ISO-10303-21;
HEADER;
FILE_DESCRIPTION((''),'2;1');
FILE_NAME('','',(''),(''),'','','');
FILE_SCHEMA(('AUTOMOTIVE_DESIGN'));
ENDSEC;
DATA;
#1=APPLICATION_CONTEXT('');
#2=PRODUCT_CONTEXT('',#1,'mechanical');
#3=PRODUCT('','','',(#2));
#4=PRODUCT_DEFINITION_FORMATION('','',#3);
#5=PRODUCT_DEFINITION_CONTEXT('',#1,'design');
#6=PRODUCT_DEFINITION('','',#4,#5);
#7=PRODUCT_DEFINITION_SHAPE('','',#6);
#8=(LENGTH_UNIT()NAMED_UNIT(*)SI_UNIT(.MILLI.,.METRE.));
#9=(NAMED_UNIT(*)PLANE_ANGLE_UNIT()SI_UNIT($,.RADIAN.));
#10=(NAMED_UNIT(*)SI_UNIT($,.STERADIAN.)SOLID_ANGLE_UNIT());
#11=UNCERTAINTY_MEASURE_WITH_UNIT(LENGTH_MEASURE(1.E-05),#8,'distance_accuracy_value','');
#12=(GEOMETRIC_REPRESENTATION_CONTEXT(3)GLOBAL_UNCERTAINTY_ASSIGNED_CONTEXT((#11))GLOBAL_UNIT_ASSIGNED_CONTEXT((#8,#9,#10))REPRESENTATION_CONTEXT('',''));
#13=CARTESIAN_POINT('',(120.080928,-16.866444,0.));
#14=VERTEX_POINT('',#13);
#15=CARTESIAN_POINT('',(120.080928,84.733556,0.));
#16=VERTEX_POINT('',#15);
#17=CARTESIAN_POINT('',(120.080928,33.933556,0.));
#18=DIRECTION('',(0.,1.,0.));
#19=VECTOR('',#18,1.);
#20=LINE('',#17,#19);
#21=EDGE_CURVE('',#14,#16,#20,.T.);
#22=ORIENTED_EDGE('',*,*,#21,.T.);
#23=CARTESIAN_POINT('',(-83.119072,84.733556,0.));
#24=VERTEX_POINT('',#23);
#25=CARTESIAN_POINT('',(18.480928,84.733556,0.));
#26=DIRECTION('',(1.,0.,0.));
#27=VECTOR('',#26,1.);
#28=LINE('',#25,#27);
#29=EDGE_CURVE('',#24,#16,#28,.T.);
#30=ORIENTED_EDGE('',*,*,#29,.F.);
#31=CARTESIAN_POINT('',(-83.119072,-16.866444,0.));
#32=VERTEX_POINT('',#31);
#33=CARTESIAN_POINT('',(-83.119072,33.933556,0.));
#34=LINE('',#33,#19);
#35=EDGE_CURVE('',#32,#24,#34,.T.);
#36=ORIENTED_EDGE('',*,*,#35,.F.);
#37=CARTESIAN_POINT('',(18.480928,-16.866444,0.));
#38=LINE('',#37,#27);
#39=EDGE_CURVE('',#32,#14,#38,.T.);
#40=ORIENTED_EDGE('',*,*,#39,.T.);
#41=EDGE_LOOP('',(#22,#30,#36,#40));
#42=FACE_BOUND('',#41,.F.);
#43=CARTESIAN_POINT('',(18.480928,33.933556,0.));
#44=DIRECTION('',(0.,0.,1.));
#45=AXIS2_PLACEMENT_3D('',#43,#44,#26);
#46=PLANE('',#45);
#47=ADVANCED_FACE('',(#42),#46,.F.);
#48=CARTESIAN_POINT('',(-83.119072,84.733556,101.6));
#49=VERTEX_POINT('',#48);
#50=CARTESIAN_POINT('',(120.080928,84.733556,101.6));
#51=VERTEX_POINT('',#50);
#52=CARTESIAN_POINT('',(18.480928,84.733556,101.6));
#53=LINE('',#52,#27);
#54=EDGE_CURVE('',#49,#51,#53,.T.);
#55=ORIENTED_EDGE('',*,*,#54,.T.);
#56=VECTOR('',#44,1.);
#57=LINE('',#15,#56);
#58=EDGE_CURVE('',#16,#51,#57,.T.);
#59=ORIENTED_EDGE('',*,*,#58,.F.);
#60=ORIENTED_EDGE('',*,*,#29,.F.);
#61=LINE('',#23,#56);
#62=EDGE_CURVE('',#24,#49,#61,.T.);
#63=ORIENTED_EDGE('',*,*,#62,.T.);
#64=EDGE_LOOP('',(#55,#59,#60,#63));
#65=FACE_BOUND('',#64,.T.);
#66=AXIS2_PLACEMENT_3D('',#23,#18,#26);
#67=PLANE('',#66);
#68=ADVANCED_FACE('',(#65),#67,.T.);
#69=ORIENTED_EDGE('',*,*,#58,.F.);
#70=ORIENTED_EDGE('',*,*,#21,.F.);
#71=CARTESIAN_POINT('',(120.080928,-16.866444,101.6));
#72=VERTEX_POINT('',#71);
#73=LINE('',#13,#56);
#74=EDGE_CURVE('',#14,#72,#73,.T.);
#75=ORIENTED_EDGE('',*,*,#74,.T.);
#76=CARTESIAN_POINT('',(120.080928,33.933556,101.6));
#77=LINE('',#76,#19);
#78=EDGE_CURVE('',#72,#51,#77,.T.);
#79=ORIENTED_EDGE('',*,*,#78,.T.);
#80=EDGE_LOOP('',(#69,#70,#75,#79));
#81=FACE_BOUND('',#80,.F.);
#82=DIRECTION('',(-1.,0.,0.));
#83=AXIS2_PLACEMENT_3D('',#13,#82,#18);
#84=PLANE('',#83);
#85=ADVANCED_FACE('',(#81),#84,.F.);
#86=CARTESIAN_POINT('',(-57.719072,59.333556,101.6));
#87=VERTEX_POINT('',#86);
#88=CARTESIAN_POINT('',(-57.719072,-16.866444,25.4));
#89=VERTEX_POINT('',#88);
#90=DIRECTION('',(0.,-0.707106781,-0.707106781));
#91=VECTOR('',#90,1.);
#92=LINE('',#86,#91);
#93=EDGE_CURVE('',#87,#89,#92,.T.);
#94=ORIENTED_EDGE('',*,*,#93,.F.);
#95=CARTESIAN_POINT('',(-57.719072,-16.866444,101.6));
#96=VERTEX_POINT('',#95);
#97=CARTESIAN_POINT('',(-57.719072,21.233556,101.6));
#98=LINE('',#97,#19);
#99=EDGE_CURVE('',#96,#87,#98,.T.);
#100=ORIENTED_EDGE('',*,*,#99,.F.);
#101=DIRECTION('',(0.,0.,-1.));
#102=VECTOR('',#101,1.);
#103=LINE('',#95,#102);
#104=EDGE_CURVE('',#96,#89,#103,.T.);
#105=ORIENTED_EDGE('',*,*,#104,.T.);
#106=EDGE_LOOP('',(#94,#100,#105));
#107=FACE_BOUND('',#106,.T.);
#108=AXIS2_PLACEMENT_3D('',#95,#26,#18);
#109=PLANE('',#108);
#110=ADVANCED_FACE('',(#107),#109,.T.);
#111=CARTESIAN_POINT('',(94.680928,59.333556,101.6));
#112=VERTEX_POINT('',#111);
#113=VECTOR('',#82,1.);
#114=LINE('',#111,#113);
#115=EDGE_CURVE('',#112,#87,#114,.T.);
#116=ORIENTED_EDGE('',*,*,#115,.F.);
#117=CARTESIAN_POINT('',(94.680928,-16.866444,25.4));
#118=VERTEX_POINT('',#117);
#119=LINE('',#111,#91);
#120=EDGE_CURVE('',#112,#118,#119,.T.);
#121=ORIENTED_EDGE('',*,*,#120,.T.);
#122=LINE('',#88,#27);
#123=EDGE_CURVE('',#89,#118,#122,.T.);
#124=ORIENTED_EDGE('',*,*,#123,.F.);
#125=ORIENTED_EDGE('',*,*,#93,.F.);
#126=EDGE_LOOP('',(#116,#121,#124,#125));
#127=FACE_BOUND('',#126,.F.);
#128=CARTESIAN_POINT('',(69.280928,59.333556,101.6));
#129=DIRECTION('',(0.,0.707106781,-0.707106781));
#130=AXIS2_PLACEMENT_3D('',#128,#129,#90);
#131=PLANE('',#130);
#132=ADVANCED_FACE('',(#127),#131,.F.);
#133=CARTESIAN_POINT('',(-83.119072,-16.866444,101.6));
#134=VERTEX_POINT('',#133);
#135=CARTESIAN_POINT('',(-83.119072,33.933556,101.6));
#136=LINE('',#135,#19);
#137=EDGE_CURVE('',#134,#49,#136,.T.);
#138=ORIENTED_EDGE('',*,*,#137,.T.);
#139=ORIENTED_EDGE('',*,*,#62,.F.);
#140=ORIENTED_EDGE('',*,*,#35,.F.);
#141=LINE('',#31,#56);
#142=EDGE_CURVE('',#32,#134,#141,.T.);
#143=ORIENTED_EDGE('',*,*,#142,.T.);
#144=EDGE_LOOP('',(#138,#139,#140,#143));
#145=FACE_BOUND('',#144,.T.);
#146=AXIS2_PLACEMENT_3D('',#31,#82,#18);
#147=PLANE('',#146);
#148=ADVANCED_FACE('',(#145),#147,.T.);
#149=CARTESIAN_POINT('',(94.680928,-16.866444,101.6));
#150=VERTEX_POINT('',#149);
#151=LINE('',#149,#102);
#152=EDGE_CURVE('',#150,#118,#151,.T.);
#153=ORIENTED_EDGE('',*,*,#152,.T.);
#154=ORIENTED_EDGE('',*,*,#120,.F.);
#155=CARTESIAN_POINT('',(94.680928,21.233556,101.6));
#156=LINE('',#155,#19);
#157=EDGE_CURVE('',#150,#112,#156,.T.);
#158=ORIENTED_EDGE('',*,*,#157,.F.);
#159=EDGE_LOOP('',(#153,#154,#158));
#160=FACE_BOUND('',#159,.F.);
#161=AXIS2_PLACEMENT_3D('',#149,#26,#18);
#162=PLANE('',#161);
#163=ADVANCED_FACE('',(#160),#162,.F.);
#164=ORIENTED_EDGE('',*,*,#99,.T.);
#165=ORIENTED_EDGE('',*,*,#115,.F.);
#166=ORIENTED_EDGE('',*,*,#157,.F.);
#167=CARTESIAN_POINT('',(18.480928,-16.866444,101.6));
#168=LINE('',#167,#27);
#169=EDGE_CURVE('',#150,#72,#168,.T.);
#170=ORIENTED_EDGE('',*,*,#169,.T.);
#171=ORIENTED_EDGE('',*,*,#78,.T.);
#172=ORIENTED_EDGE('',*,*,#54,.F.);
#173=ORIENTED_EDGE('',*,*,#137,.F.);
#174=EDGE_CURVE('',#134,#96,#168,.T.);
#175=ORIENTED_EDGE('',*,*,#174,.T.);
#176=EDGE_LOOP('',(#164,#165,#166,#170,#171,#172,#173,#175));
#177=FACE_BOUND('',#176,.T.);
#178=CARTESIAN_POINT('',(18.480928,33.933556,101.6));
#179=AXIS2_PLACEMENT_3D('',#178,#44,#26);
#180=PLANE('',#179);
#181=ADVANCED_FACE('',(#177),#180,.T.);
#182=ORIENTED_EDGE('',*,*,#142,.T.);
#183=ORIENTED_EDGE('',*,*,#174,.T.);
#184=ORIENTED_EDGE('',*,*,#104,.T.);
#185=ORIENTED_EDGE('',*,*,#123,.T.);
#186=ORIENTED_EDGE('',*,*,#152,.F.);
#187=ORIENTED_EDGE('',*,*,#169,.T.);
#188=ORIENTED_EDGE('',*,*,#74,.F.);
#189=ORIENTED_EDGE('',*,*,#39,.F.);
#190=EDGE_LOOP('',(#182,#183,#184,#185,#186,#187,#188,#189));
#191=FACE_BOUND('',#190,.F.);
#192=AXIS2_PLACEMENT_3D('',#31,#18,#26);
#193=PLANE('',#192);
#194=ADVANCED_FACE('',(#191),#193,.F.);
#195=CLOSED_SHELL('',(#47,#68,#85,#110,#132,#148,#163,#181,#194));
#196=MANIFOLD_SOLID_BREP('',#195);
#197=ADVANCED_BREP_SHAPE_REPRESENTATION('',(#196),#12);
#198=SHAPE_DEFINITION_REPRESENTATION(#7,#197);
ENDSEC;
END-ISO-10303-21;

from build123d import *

# Parameters (mm, degrees)
F0_W     = 203.2
F0_H     = 101.6
F1_DEPTH = 101.6
F2_W     = 152.4
F2_H     = 76.2
F3_DEPTH = 76.2
F5_DEPTH = 127
F6_DEPTH = 25.4


with BuildPart() as f1:
    # F0 (on Top) → F1 (new body)
    with BuildSketch(Plane.XY):
        with Locations((18.4809279799, 33.9335563213)):
            Rectangle(F0_W, F0_H)
    extrude(amount=F1_DEPTH)

    # F2 (on face) → F3 (cut)
    with BuildSketch(Plane.XY.offset(101.6)):
        with Locations((18.4809279799, 21.2335563213)):
            Rectangle(F2_W, F2_H)
    extrude(amount=-F3_DEPTH, mode=Mode.SUBTRACT)

    # F4 (on face) → F5 (join)
    with BuildSketch(Plane.YZ.offset(-57.7190720201)):
        Polygon((59.3335563213, 101.6), (-16.8664436787, 25.4), (59.3335563213, 25.4), align=None)
    extrude(amount=F5_DEPTH)

    # F6 (add): a face of the model
    f6_faces = [f1.faces().sort_by_distance(p)[0] for p in [
        (69.2809279799, 33.9335563213, 50.8),
    ]]
    extrude(f6_faces, amount=F6_DEPTH)


solid = f1.part
